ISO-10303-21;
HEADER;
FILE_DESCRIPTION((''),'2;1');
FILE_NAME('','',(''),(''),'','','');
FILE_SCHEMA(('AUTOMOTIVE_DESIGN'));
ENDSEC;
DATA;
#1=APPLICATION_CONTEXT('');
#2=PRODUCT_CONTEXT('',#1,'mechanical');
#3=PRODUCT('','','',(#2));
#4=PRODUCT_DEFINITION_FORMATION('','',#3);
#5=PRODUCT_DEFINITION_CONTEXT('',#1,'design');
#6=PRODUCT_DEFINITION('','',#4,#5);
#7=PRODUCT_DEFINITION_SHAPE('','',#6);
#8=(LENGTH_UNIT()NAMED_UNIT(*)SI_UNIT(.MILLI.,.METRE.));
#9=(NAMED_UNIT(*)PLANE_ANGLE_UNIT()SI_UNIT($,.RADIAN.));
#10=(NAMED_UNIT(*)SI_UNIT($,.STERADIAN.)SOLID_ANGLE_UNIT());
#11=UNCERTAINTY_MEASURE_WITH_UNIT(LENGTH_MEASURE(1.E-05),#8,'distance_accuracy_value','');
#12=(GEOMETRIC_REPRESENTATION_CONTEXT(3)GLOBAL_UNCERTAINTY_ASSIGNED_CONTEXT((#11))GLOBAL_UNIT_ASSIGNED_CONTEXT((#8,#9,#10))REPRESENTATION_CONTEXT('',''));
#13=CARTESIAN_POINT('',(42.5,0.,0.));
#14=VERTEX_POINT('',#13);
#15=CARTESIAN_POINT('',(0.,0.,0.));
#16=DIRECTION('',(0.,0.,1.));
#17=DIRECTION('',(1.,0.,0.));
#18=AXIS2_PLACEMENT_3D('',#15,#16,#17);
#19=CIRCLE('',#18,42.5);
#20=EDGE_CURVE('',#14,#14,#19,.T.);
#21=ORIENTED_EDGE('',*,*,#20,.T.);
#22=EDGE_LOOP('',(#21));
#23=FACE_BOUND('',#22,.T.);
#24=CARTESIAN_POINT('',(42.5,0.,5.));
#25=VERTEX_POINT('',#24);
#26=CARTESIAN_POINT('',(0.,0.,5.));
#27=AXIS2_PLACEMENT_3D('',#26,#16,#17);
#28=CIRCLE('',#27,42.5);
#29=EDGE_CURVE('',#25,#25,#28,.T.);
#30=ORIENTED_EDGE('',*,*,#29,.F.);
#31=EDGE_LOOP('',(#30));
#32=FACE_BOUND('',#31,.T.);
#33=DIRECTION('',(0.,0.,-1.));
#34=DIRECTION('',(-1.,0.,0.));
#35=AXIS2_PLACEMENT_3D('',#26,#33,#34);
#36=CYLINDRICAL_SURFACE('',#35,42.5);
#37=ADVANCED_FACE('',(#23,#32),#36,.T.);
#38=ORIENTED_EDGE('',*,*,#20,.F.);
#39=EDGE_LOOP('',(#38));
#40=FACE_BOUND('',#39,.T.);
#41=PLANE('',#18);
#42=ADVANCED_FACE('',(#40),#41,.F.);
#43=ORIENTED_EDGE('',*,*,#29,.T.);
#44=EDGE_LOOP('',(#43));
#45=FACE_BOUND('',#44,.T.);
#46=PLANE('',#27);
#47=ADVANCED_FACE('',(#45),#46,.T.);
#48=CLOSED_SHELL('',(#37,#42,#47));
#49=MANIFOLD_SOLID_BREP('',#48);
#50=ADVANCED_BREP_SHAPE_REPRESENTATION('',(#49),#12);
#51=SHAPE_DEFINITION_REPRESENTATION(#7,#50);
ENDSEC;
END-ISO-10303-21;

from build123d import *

# Parameters (mm, degrees)
ESQUISSE1_R        = 42.5
BOSS_EXTRU_1_DEPTH = 5


with BuildPart() as part:
    # Esquisse1 → Boss.-Extru.1 (new body)
    with BuildSketch(Plane.XY):
        Circle(ESQUISSE1_R)
    extrude(amount=BOSS_EXTRU_1_DEPTH)


solid = part.part
